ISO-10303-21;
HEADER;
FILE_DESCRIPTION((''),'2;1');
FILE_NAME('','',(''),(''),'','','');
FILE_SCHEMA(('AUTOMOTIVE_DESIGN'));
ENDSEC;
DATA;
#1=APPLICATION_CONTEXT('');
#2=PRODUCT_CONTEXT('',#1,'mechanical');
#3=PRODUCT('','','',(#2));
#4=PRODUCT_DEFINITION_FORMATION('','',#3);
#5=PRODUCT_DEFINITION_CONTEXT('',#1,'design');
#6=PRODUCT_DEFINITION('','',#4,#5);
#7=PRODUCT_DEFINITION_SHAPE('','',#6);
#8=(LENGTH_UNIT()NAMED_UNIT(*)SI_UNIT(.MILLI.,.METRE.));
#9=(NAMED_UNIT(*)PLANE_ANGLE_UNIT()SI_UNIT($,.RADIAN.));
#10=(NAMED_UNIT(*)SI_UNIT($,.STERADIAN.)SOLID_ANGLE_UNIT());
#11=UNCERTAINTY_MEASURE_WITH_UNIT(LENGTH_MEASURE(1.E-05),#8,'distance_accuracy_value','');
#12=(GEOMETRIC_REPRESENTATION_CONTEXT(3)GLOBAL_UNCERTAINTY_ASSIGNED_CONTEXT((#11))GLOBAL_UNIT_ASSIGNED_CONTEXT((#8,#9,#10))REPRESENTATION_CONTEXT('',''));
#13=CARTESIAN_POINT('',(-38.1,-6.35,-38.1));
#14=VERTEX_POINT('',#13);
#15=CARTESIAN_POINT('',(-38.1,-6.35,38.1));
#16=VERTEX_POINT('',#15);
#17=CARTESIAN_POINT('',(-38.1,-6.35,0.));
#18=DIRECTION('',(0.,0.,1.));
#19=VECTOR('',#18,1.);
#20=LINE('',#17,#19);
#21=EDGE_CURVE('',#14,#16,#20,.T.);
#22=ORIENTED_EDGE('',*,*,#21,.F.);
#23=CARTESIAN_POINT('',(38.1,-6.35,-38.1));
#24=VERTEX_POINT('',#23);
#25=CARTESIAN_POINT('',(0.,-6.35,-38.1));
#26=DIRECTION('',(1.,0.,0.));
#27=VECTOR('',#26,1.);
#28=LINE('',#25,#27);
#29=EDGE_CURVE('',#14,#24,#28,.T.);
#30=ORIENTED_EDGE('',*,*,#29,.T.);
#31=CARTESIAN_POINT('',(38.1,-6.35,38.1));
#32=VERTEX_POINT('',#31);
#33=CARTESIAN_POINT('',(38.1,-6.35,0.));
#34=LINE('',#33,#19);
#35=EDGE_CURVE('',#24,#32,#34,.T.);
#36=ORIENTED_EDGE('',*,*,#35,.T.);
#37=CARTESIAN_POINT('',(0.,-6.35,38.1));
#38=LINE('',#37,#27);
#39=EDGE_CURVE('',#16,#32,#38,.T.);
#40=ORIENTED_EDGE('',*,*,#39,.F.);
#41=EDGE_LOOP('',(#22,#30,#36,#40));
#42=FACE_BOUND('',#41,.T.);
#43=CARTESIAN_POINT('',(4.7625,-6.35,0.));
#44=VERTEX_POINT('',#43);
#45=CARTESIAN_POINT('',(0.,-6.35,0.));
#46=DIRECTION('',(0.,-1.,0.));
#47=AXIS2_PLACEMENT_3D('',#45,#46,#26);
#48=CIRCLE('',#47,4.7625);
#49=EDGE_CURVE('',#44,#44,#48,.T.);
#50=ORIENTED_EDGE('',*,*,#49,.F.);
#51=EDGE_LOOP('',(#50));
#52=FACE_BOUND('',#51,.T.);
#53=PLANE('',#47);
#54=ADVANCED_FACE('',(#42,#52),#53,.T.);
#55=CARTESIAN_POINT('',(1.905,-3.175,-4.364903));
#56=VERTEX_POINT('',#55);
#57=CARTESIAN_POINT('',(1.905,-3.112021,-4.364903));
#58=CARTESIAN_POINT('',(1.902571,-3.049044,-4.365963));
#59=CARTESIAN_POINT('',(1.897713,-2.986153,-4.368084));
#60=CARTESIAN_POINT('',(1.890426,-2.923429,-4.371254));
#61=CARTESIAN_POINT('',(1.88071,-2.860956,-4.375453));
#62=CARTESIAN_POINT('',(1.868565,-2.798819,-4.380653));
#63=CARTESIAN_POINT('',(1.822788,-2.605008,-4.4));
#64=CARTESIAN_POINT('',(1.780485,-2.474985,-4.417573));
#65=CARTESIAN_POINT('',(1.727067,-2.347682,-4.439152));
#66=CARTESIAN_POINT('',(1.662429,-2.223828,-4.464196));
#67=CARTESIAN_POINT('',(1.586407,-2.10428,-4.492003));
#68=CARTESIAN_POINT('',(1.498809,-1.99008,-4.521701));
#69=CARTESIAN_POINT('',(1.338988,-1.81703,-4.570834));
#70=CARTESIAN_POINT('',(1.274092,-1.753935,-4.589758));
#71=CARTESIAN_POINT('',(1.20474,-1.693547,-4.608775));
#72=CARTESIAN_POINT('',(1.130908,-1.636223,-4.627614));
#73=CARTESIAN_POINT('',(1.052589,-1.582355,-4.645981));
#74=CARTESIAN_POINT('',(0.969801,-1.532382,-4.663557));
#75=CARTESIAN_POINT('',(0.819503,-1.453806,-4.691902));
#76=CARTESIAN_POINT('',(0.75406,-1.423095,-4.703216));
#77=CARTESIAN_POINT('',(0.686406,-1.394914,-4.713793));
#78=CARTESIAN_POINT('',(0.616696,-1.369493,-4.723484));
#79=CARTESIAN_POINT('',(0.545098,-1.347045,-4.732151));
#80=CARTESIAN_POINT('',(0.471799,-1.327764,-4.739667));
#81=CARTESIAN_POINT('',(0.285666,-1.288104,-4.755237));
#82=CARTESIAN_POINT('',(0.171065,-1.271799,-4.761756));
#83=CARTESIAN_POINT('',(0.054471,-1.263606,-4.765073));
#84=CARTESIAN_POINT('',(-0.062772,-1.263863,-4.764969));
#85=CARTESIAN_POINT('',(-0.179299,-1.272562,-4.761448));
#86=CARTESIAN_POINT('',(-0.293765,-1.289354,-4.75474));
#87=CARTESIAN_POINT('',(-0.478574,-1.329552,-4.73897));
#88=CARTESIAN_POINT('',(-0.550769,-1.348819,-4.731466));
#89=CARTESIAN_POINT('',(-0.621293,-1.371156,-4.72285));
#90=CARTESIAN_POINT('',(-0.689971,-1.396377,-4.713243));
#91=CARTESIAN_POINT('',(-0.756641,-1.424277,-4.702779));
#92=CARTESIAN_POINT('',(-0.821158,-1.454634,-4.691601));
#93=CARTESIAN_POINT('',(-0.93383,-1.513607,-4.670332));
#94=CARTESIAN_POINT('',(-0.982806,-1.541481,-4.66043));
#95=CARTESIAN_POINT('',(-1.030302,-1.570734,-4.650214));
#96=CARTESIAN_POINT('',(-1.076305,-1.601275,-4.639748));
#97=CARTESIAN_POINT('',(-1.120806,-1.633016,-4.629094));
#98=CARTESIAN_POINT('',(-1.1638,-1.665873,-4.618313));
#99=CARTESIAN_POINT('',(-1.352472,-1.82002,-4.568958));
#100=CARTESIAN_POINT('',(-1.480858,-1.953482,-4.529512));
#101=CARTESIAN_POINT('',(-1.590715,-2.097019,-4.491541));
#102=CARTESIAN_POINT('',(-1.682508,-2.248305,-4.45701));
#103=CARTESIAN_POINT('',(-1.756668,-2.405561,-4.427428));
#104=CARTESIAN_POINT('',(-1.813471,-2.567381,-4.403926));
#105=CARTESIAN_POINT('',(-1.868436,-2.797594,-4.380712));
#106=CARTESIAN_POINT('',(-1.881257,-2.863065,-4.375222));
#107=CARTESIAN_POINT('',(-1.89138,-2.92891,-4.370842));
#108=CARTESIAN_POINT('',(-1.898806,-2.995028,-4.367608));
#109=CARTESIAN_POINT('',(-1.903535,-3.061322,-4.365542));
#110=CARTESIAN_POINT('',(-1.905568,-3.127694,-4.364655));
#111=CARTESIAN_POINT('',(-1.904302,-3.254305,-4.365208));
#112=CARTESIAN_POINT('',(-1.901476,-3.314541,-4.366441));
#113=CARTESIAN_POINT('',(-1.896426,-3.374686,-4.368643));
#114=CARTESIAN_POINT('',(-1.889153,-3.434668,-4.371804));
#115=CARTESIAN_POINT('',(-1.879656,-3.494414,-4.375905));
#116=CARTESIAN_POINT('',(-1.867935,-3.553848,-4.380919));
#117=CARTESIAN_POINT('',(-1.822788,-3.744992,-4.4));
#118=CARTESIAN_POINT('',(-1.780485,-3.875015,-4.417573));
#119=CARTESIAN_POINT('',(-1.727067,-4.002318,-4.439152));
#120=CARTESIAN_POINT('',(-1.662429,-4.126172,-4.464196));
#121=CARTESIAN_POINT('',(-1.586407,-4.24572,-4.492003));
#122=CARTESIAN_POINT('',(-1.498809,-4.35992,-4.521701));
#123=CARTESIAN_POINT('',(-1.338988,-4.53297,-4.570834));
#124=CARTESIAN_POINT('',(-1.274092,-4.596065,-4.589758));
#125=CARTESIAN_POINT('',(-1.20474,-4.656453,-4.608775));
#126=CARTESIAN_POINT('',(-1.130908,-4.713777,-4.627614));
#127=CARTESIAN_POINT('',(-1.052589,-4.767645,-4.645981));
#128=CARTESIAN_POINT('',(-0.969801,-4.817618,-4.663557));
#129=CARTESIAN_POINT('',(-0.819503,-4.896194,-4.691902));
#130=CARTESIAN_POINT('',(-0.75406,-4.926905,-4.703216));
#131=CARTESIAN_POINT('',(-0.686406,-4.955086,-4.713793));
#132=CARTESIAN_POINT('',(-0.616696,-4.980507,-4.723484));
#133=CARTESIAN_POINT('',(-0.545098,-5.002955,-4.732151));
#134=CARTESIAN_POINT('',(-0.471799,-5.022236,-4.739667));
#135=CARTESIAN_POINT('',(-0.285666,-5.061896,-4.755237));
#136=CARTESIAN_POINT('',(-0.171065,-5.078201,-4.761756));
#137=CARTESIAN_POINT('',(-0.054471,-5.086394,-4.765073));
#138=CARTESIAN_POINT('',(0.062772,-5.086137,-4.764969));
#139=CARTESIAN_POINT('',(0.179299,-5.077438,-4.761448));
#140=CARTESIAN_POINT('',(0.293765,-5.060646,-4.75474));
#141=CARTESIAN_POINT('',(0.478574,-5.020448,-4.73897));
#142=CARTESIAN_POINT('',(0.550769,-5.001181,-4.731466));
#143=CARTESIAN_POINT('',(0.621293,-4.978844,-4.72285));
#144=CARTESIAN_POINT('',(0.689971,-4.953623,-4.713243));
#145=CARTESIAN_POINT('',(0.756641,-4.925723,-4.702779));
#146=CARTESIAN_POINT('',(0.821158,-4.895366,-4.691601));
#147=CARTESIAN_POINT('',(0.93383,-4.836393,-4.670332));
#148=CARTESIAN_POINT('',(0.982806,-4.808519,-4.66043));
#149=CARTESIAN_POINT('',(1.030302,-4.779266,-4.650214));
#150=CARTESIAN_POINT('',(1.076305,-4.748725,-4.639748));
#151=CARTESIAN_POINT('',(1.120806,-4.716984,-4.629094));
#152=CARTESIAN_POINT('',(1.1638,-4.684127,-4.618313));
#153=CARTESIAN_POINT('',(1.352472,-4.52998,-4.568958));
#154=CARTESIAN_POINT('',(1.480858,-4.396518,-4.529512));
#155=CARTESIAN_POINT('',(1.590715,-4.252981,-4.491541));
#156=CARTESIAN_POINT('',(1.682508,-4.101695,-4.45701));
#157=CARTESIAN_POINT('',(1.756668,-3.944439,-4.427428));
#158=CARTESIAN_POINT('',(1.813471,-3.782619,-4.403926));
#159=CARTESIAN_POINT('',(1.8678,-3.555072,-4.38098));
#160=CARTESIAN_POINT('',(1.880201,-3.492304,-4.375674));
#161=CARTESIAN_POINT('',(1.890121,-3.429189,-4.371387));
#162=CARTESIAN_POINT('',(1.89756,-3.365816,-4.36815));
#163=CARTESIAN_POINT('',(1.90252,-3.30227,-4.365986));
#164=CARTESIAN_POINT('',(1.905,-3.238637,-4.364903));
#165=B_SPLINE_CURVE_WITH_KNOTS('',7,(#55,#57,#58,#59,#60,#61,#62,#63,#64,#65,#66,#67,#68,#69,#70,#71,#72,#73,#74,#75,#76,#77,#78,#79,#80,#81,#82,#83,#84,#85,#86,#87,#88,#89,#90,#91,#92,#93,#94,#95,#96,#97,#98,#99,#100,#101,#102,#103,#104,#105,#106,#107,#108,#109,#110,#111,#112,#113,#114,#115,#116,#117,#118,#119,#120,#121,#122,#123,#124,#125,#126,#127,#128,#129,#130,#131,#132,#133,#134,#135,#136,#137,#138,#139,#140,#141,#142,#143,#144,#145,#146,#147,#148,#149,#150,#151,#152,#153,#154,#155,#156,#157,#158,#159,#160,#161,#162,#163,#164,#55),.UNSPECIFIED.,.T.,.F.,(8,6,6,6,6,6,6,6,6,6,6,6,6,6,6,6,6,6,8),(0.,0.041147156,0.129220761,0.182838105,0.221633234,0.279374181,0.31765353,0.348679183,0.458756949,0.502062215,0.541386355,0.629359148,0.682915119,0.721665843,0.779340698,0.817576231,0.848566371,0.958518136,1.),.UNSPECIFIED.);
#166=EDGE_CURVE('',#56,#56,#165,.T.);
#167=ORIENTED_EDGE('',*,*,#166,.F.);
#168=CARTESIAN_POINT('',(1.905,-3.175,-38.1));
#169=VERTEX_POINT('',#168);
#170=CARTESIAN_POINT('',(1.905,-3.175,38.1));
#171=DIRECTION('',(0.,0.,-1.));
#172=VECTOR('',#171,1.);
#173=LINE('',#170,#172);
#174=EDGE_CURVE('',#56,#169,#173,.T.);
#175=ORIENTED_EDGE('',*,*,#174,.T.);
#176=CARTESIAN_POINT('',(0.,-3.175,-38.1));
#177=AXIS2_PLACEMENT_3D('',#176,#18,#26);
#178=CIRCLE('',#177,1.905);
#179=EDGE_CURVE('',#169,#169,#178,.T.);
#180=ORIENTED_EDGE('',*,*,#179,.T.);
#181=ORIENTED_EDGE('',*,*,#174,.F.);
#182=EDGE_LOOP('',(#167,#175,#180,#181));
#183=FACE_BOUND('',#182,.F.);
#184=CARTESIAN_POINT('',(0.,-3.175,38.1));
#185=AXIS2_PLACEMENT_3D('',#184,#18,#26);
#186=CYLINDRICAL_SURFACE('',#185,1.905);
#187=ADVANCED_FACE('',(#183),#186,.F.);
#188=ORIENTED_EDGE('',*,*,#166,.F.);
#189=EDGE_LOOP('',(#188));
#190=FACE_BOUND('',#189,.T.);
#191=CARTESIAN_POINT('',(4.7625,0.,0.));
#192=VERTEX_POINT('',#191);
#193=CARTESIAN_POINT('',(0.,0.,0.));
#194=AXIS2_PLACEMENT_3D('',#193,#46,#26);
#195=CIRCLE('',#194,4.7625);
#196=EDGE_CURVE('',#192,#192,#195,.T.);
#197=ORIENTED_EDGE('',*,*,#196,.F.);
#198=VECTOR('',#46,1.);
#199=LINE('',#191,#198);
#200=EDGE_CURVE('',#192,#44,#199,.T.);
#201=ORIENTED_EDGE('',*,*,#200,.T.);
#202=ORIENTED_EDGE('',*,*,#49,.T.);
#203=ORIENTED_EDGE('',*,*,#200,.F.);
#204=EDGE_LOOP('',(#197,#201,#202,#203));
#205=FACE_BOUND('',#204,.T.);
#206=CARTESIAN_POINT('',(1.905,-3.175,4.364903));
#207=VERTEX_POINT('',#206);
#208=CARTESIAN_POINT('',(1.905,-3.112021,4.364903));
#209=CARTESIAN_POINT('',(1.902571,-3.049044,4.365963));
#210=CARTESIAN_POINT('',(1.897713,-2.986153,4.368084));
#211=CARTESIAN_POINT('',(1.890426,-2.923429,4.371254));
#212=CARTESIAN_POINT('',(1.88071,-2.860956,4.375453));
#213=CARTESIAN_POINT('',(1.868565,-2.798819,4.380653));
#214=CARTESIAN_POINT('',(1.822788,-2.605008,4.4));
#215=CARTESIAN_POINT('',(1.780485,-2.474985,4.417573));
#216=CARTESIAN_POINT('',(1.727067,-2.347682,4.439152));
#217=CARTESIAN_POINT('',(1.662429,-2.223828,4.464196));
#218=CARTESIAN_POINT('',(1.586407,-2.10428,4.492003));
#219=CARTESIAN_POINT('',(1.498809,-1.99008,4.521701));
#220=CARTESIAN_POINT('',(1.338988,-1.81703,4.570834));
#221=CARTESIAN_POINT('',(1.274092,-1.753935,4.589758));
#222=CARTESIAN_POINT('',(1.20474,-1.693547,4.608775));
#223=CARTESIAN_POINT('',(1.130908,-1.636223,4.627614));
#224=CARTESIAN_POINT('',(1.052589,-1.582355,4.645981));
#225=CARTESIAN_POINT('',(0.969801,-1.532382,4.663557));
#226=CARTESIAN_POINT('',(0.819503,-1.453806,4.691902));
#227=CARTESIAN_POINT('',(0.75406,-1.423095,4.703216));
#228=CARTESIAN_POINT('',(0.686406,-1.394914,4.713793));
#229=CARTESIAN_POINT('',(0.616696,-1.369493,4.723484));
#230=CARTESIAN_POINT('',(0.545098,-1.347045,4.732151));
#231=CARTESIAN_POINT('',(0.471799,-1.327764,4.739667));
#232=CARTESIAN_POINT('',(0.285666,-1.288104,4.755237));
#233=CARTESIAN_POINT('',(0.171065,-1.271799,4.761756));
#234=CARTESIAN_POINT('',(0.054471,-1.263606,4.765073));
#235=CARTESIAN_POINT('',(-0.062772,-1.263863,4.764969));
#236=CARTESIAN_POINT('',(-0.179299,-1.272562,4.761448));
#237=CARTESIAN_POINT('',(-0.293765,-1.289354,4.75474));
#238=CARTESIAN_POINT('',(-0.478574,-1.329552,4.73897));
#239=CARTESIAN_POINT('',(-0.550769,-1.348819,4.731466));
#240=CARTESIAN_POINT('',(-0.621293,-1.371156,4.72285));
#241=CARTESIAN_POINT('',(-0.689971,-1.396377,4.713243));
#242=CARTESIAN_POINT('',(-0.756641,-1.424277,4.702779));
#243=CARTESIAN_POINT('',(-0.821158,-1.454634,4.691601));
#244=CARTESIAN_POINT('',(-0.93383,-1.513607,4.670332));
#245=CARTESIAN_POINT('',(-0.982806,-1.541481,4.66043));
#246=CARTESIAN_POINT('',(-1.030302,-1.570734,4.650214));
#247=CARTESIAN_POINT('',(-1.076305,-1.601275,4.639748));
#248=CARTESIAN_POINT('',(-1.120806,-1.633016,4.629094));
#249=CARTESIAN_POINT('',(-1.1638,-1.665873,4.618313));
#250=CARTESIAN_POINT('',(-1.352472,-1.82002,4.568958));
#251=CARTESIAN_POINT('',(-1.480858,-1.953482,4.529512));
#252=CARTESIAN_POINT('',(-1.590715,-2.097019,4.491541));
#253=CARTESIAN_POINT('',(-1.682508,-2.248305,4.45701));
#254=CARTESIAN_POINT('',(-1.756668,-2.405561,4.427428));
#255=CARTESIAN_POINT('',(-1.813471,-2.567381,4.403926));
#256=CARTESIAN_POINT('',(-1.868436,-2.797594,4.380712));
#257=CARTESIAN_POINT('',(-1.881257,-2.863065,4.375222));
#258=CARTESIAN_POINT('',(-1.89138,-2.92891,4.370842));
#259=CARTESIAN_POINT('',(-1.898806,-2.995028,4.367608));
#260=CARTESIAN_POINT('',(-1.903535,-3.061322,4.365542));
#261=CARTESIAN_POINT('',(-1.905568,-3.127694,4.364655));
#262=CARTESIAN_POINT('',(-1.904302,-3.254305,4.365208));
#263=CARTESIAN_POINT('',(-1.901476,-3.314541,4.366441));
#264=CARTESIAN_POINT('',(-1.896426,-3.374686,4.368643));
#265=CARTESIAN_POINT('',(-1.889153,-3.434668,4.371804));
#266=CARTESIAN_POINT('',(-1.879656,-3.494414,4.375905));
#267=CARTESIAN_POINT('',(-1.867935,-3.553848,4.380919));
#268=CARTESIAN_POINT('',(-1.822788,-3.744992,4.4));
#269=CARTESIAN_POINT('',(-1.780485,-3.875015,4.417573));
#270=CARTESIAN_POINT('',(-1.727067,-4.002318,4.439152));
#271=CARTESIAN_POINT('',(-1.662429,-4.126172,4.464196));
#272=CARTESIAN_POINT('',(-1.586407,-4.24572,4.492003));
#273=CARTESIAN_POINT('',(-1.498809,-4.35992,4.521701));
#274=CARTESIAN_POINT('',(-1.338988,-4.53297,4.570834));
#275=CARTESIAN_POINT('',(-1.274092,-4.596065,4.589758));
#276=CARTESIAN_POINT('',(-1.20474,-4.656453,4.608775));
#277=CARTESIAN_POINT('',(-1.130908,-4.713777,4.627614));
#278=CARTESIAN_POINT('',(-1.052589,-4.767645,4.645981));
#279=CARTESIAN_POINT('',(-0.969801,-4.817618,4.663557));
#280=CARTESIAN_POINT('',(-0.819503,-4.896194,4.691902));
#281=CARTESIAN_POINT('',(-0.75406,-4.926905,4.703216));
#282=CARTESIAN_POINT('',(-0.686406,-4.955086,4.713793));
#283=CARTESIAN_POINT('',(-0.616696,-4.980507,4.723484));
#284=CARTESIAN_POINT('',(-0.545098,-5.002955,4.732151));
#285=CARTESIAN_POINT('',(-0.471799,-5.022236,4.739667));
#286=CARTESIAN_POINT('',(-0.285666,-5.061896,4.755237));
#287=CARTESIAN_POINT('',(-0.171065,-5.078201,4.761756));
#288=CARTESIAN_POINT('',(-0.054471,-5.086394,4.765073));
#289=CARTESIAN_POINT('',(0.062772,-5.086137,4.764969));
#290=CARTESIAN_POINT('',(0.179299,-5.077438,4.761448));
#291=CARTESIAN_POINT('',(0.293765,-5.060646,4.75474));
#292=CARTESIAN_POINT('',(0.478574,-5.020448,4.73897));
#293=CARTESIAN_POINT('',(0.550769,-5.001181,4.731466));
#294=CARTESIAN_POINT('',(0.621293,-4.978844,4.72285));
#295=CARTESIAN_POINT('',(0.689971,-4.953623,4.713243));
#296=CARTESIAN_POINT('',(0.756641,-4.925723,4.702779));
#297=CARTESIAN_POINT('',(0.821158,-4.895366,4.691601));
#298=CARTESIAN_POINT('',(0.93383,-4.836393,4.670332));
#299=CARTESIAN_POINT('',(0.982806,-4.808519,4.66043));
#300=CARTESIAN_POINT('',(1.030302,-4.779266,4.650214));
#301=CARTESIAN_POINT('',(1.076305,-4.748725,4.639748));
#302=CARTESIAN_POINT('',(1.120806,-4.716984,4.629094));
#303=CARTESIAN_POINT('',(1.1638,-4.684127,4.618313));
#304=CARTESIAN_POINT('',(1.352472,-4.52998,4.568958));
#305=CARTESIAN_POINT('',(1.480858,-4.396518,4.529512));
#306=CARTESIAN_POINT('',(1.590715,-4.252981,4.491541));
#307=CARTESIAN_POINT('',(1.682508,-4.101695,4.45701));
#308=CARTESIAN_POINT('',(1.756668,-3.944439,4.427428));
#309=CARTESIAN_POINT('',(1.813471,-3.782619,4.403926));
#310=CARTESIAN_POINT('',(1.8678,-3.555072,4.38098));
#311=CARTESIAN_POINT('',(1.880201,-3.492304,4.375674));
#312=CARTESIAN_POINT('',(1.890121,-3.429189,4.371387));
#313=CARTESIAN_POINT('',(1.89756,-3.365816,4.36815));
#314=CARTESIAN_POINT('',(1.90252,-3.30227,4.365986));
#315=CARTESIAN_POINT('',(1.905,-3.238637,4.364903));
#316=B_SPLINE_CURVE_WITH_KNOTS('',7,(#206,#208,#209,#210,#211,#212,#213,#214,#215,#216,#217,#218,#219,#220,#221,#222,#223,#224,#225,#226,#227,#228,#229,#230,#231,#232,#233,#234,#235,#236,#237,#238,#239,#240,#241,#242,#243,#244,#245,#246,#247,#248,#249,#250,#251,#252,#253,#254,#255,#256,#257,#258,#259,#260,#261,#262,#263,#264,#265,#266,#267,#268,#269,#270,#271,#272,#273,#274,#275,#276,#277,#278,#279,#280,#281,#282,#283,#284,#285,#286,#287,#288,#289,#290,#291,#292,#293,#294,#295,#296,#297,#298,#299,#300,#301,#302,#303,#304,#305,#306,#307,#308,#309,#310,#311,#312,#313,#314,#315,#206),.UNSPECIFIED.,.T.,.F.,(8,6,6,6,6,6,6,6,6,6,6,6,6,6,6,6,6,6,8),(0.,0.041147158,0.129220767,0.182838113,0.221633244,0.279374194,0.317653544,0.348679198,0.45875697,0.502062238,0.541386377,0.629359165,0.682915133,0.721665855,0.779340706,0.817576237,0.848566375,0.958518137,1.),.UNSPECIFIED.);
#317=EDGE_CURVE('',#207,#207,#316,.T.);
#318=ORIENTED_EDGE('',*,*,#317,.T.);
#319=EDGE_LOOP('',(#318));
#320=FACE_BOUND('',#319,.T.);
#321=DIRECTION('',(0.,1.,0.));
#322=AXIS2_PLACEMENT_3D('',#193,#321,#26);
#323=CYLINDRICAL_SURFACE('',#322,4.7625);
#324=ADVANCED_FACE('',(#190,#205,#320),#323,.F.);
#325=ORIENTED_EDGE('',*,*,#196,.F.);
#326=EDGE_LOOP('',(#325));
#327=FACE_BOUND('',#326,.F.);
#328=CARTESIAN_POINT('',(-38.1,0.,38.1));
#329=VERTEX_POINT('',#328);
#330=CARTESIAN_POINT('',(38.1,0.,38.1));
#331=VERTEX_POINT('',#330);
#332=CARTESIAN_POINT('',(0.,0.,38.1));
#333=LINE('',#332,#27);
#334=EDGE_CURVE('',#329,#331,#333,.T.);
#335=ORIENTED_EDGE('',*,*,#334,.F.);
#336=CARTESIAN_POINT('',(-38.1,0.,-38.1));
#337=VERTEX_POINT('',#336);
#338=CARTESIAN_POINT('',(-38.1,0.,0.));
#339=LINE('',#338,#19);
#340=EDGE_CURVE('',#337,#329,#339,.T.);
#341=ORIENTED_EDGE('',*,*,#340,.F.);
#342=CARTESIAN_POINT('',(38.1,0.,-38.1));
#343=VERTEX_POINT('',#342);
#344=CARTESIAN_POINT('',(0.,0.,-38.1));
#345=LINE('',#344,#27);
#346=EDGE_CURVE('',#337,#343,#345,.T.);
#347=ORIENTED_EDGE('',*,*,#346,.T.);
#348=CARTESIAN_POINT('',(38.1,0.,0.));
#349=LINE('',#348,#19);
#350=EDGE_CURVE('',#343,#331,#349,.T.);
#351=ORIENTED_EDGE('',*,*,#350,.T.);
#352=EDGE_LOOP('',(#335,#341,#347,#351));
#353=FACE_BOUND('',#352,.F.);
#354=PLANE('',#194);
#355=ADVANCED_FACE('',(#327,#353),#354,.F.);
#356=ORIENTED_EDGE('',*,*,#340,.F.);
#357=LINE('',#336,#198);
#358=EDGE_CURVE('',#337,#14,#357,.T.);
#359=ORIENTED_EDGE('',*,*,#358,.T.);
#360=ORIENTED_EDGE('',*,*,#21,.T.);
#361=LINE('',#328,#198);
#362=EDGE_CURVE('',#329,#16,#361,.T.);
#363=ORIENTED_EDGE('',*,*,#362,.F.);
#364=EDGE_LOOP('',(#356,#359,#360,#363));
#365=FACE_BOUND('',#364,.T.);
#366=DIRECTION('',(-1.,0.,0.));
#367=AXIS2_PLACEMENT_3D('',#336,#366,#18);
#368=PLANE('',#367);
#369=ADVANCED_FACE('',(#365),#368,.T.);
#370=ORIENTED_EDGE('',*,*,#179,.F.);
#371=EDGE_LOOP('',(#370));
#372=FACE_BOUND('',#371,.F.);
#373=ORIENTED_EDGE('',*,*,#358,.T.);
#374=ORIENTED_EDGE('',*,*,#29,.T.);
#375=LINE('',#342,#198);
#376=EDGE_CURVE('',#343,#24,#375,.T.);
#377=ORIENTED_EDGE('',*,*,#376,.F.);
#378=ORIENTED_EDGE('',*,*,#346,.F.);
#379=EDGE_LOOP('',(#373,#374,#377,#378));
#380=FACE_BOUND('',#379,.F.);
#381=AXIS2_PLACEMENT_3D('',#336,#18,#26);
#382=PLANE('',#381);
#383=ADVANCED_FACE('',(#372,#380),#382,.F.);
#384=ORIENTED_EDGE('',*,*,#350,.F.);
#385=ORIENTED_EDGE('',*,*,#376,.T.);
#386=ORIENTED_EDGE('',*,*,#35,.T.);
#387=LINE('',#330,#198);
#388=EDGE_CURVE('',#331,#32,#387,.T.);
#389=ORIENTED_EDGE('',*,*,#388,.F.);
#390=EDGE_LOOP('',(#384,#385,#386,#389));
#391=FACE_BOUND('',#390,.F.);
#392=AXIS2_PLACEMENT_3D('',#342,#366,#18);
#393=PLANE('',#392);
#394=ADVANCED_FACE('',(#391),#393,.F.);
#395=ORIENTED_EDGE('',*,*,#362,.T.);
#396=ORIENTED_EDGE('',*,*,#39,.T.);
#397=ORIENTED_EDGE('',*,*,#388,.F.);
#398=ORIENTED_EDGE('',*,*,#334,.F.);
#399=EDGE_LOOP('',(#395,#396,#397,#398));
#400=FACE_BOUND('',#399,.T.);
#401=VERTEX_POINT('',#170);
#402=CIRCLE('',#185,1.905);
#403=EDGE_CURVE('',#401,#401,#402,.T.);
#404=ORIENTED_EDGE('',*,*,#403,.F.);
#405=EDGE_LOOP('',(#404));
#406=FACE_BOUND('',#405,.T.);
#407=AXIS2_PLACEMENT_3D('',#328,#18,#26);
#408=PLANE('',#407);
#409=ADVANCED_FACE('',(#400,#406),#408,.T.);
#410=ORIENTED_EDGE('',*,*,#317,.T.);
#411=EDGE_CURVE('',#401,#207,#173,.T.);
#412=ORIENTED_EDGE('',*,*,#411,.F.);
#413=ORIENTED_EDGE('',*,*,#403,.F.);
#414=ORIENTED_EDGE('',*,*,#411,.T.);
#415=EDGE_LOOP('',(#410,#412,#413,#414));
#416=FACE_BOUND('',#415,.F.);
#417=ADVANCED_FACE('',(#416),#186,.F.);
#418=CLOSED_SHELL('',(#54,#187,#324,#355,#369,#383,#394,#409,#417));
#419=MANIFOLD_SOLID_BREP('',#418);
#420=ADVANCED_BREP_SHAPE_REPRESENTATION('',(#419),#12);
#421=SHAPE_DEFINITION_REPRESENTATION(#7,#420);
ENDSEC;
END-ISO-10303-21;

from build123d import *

# Parameters (mm, degrees)
F0_W     = 76.2
F0_H     = 76.2
F0_R     = 4.7625
F1_DEPTH = 6.35
F2_R     = 1.905
F3_DEPTH = 76.201


with BuildPart() as f1:
    # F0 (on Front) → F1 (new body)
    with BuildSketch(Plane.XZ):
        Rectangle(F0_W, F0_H)
        Circle(F0_R, mode=Mode.SUBTRACT)
    extrude(amount=F1_DEPTH)

    # F2 (on face) → F3 (cut, through all)
    with BuildSketch(Plane.XY.offset(38.1)):
        with Locations((0, -3.175)):
            Circle(F2_R)
    extrude(amount=-F3_DEPTH, mode=Mode.SUBTRACT)


solid = f1.part
